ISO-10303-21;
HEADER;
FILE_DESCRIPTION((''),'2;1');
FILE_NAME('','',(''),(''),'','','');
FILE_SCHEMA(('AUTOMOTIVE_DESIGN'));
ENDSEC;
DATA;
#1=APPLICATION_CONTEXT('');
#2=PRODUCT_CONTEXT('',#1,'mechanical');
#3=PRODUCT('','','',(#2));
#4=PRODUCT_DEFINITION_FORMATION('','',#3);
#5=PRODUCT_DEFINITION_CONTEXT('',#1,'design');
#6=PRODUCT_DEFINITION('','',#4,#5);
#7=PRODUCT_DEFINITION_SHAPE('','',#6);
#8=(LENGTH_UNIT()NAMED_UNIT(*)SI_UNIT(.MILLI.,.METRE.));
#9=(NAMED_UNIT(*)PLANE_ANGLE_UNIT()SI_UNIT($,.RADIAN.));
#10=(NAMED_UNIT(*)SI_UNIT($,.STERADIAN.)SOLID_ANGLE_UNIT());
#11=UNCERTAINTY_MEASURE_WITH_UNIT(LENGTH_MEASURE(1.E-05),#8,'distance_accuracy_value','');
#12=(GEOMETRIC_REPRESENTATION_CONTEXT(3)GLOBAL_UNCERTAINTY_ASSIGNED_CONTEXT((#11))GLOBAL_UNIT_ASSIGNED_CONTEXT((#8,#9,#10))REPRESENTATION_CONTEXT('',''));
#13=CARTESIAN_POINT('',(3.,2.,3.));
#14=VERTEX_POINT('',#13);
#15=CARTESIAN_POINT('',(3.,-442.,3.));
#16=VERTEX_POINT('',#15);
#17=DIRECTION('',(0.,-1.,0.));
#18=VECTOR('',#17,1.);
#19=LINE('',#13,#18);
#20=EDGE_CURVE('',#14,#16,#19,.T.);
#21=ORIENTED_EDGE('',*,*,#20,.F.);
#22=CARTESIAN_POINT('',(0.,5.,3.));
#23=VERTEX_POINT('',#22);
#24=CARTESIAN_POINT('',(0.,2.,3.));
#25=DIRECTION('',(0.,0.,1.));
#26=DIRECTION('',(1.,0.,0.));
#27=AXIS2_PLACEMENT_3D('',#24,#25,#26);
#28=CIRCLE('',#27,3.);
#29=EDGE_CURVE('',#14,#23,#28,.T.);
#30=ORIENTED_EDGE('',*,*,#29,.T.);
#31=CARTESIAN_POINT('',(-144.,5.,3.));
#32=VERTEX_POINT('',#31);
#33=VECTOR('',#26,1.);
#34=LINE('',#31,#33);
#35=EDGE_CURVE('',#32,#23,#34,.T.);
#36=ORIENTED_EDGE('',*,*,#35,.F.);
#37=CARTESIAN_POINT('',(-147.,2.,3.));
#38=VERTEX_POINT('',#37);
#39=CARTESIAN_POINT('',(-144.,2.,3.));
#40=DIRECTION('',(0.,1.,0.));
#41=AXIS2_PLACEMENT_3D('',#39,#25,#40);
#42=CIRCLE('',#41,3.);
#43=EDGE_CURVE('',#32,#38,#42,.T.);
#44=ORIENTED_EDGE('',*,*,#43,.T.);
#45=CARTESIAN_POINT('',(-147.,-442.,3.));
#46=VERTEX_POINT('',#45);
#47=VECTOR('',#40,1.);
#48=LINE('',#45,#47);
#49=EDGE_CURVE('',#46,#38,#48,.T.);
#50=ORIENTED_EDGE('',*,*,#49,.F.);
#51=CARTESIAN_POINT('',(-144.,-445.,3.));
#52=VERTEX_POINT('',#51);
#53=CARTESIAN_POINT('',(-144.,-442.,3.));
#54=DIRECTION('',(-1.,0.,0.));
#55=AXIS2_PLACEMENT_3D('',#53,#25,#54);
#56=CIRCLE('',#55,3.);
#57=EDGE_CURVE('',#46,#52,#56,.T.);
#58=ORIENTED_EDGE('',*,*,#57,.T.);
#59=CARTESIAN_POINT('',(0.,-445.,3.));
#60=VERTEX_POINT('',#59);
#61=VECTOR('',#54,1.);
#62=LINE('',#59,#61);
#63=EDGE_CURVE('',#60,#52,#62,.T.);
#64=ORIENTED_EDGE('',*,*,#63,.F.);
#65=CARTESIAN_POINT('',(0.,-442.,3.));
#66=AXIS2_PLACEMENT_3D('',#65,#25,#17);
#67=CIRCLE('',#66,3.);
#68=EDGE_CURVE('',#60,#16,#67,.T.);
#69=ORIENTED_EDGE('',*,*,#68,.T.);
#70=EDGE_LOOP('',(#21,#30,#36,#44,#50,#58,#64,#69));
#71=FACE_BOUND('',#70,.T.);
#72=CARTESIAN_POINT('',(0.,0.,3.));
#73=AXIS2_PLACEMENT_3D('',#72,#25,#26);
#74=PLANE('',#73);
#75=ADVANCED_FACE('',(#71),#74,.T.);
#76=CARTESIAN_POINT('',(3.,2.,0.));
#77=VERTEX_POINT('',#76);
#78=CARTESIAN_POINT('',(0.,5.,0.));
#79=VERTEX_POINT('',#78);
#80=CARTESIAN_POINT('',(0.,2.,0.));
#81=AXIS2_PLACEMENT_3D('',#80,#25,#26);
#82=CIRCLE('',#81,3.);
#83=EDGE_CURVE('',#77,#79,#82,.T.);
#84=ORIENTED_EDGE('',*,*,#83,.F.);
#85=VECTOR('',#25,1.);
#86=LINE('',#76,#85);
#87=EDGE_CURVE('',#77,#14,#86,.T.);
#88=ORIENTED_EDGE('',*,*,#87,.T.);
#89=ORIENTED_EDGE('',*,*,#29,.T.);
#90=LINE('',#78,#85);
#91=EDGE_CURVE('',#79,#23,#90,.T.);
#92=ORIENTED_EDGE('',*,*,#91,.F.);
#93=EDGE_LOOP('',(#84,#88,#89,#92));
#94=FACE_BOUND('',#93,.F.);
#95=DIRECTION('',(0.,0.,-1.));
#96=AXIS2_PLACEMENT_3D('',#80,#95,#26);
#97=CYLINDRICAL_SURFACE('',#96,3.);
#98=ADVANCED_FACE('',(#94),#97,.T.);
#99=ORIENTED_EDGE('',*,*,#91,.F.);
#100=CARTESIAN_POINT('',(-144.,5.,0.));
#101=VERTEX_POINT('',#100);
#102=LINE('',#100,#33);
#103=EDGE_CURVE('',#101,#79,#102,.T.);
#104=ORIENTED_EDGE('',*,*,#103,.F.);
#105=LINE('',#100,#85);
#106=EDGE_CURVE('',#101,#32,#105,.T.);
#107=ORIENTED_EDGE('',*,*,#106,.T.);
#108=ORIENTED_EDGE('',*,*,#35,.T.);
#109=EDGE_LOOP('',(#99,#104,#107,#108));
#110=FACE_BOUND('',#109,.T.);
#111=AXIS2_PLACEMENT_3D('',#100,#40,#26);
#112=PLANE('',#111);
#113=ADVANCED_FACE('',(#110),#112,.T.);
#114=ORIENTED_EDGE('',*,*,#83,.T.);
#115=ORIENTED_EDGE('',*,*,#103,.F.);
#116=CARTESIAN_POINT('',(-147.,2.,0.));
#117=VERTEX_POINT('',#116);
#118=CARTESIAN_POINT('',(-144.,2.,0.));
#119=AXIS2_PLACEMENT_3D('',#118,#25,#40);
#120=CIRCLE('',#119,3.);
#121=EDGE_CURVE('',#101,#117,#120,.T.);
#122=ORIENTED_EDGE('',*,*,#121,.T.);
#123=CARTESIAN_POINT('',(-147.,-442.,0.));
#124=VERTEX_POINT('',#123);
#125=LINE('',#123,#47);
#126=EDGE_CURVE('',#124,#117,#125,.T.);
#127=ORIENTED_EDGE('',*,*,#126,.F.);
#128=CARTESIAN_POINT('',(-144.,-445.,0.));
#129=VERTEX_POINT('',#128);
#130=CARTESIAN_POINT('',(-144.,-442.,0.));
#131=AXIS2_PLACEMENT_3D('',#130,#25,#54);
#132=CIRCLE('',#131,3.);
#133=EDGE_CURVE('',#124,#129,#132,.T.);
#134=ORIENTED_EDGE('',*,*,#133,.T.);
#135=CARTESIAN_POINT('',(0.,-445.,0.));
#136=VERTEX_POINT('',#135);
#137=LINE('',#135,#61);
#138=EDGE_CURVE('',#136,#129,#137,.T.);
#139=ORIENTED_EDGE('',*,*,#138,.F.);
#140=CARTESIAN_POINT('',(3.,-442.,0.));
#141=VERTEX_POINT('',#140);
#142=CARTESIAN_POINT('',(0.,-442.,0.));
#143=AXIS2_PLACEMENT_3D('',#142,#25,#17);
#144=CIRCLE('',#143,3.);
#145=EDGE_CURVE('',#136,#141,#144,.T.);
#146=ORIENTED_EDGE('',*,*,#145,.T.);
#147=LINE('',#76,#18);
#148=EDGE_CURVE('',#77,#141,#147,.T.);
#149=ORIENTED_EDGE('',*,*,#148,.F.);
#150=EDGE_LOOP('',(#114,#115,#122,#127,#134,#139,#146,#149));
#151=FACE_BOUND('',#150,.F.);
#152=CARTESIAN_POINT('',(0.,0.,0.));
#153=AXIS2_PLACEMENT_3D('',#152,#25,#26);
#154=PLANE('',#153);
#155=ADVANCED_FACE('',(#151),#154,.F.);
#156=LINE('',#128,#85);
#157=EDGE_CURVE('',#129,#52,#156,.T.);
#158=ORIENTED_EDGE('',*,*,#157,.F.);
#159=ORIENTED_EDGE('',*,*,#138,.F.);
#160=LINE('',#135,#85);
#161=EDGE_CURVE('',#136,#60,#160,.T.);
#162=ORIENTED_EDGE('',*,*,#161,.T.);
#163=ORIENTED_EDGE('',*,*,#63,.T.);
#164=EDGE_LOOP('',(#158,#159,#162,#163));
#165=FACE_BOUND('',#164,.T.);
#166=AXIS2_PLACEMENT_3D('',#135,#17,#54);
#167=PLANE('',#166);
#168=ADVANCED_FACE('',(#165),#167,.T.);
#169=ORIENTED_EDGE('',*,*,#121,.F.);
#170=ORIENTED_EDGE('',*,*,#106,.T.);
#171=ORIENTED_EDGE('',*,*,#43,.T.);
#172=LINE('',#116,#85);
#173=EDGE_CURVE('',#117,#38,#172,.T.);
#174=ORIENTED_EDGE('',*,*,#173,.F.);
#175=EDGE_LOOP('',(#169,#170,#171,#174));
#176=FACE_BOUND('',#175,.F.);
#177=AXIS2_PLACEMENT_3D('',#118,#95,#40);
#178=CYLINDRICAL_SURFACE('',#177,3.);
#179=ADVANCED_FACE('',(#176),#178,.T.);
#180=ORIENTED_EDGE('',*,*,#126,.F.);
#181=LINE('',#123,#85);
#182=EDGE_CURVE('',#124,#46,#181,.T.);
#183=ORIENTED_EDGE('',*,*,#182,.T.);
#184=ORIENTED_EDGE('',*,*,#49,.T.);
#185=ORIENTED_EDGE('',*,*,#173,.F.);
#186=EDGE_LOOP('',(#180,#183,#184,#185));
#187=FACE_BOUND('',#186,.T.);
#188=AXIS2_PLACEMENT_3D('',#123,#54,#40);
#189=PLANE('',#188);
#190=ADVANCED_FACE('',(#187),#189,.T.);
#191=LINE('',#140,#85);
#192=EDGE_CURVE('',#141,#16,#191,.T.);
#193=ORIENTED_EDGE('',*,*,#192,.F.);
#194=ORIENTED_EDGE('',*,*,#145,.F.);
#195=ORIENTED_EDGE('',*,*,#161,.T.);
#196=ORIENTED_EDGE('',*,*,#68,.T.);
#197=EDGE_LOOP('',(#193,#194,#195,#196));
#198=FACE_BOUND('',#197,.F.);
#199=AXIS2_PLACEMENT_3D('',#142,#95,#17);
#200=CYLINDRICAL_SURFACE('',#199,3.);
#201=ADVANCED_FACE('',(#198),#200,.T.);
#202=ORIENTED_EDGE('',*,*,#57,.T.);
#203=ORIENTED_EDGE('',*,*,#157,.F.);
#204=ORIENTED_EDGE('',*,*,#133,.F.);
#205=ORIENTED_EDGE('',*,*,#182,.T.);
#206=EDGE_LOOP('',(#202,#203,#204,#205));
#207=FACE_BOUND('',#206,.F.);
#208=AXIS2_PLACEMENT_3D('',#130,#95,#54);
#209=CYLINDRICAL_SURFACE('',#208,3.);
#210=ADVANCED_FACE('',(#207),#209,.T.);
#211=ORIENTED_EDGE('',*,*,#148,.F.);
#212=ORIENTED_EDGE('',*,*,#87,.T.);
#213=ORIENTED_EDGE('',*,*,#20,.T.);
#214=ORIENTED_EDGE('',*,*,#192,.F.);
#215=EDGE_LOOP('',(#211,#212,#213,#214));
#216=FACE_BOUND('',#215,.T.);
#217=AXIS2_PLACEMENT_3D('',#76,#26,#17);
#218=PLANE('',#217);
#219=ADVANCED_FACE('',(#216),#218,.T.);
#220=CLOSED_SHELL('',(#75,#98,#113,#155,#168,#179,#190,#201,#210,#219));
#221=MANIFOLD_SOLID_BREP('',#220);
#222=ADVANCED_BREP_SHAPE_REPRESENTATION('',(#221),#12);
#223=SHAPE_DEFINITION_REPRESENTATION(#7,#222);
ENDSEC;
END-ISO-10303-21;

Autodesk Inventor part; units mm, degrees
ref_plane "YZ Plane" through (0, 0, 0) normal (1, 0, 0) x (0, 1, 0)
ref_plane "XZ Plane" through (0, 0, 0) normal (0, 1, 0) x (-1, 0, 0)
ref_plane "XY Plane" through (0, 0, 0) normal (0, 0, 1) x (1, 0, 0)
sketch "Sketch1" plane through (0, 0, 0) normal (0, 0, 1) x (1, 0, 0)
  line L0 (0, -445) -> (-144, -445) projected
  arc A0 (-147, -442) -> (-144, -445) centre (-144, -442) ccw projected
  line L1 (-147, -442) -> (-147, 2) projected
  arc A1 (-144, 5) -> (-147, 2) centre (-144, 2) ccw projected
  line L2 (-144, 5) -> (0, 5) projected
  arc A2 (3, 2) -> (0, 5) centre (0, 2) ccw projected
  line L3 (3, 2) -> (3, -442) projected
  arc A3 (0, -445) -> (3, -442) centre (0, -442) ccw projected
  point P0 (0, 0)
extrude "Extrusion1" add sketch "Sketch1" along normal blind 3
properties part number "zpanel"
